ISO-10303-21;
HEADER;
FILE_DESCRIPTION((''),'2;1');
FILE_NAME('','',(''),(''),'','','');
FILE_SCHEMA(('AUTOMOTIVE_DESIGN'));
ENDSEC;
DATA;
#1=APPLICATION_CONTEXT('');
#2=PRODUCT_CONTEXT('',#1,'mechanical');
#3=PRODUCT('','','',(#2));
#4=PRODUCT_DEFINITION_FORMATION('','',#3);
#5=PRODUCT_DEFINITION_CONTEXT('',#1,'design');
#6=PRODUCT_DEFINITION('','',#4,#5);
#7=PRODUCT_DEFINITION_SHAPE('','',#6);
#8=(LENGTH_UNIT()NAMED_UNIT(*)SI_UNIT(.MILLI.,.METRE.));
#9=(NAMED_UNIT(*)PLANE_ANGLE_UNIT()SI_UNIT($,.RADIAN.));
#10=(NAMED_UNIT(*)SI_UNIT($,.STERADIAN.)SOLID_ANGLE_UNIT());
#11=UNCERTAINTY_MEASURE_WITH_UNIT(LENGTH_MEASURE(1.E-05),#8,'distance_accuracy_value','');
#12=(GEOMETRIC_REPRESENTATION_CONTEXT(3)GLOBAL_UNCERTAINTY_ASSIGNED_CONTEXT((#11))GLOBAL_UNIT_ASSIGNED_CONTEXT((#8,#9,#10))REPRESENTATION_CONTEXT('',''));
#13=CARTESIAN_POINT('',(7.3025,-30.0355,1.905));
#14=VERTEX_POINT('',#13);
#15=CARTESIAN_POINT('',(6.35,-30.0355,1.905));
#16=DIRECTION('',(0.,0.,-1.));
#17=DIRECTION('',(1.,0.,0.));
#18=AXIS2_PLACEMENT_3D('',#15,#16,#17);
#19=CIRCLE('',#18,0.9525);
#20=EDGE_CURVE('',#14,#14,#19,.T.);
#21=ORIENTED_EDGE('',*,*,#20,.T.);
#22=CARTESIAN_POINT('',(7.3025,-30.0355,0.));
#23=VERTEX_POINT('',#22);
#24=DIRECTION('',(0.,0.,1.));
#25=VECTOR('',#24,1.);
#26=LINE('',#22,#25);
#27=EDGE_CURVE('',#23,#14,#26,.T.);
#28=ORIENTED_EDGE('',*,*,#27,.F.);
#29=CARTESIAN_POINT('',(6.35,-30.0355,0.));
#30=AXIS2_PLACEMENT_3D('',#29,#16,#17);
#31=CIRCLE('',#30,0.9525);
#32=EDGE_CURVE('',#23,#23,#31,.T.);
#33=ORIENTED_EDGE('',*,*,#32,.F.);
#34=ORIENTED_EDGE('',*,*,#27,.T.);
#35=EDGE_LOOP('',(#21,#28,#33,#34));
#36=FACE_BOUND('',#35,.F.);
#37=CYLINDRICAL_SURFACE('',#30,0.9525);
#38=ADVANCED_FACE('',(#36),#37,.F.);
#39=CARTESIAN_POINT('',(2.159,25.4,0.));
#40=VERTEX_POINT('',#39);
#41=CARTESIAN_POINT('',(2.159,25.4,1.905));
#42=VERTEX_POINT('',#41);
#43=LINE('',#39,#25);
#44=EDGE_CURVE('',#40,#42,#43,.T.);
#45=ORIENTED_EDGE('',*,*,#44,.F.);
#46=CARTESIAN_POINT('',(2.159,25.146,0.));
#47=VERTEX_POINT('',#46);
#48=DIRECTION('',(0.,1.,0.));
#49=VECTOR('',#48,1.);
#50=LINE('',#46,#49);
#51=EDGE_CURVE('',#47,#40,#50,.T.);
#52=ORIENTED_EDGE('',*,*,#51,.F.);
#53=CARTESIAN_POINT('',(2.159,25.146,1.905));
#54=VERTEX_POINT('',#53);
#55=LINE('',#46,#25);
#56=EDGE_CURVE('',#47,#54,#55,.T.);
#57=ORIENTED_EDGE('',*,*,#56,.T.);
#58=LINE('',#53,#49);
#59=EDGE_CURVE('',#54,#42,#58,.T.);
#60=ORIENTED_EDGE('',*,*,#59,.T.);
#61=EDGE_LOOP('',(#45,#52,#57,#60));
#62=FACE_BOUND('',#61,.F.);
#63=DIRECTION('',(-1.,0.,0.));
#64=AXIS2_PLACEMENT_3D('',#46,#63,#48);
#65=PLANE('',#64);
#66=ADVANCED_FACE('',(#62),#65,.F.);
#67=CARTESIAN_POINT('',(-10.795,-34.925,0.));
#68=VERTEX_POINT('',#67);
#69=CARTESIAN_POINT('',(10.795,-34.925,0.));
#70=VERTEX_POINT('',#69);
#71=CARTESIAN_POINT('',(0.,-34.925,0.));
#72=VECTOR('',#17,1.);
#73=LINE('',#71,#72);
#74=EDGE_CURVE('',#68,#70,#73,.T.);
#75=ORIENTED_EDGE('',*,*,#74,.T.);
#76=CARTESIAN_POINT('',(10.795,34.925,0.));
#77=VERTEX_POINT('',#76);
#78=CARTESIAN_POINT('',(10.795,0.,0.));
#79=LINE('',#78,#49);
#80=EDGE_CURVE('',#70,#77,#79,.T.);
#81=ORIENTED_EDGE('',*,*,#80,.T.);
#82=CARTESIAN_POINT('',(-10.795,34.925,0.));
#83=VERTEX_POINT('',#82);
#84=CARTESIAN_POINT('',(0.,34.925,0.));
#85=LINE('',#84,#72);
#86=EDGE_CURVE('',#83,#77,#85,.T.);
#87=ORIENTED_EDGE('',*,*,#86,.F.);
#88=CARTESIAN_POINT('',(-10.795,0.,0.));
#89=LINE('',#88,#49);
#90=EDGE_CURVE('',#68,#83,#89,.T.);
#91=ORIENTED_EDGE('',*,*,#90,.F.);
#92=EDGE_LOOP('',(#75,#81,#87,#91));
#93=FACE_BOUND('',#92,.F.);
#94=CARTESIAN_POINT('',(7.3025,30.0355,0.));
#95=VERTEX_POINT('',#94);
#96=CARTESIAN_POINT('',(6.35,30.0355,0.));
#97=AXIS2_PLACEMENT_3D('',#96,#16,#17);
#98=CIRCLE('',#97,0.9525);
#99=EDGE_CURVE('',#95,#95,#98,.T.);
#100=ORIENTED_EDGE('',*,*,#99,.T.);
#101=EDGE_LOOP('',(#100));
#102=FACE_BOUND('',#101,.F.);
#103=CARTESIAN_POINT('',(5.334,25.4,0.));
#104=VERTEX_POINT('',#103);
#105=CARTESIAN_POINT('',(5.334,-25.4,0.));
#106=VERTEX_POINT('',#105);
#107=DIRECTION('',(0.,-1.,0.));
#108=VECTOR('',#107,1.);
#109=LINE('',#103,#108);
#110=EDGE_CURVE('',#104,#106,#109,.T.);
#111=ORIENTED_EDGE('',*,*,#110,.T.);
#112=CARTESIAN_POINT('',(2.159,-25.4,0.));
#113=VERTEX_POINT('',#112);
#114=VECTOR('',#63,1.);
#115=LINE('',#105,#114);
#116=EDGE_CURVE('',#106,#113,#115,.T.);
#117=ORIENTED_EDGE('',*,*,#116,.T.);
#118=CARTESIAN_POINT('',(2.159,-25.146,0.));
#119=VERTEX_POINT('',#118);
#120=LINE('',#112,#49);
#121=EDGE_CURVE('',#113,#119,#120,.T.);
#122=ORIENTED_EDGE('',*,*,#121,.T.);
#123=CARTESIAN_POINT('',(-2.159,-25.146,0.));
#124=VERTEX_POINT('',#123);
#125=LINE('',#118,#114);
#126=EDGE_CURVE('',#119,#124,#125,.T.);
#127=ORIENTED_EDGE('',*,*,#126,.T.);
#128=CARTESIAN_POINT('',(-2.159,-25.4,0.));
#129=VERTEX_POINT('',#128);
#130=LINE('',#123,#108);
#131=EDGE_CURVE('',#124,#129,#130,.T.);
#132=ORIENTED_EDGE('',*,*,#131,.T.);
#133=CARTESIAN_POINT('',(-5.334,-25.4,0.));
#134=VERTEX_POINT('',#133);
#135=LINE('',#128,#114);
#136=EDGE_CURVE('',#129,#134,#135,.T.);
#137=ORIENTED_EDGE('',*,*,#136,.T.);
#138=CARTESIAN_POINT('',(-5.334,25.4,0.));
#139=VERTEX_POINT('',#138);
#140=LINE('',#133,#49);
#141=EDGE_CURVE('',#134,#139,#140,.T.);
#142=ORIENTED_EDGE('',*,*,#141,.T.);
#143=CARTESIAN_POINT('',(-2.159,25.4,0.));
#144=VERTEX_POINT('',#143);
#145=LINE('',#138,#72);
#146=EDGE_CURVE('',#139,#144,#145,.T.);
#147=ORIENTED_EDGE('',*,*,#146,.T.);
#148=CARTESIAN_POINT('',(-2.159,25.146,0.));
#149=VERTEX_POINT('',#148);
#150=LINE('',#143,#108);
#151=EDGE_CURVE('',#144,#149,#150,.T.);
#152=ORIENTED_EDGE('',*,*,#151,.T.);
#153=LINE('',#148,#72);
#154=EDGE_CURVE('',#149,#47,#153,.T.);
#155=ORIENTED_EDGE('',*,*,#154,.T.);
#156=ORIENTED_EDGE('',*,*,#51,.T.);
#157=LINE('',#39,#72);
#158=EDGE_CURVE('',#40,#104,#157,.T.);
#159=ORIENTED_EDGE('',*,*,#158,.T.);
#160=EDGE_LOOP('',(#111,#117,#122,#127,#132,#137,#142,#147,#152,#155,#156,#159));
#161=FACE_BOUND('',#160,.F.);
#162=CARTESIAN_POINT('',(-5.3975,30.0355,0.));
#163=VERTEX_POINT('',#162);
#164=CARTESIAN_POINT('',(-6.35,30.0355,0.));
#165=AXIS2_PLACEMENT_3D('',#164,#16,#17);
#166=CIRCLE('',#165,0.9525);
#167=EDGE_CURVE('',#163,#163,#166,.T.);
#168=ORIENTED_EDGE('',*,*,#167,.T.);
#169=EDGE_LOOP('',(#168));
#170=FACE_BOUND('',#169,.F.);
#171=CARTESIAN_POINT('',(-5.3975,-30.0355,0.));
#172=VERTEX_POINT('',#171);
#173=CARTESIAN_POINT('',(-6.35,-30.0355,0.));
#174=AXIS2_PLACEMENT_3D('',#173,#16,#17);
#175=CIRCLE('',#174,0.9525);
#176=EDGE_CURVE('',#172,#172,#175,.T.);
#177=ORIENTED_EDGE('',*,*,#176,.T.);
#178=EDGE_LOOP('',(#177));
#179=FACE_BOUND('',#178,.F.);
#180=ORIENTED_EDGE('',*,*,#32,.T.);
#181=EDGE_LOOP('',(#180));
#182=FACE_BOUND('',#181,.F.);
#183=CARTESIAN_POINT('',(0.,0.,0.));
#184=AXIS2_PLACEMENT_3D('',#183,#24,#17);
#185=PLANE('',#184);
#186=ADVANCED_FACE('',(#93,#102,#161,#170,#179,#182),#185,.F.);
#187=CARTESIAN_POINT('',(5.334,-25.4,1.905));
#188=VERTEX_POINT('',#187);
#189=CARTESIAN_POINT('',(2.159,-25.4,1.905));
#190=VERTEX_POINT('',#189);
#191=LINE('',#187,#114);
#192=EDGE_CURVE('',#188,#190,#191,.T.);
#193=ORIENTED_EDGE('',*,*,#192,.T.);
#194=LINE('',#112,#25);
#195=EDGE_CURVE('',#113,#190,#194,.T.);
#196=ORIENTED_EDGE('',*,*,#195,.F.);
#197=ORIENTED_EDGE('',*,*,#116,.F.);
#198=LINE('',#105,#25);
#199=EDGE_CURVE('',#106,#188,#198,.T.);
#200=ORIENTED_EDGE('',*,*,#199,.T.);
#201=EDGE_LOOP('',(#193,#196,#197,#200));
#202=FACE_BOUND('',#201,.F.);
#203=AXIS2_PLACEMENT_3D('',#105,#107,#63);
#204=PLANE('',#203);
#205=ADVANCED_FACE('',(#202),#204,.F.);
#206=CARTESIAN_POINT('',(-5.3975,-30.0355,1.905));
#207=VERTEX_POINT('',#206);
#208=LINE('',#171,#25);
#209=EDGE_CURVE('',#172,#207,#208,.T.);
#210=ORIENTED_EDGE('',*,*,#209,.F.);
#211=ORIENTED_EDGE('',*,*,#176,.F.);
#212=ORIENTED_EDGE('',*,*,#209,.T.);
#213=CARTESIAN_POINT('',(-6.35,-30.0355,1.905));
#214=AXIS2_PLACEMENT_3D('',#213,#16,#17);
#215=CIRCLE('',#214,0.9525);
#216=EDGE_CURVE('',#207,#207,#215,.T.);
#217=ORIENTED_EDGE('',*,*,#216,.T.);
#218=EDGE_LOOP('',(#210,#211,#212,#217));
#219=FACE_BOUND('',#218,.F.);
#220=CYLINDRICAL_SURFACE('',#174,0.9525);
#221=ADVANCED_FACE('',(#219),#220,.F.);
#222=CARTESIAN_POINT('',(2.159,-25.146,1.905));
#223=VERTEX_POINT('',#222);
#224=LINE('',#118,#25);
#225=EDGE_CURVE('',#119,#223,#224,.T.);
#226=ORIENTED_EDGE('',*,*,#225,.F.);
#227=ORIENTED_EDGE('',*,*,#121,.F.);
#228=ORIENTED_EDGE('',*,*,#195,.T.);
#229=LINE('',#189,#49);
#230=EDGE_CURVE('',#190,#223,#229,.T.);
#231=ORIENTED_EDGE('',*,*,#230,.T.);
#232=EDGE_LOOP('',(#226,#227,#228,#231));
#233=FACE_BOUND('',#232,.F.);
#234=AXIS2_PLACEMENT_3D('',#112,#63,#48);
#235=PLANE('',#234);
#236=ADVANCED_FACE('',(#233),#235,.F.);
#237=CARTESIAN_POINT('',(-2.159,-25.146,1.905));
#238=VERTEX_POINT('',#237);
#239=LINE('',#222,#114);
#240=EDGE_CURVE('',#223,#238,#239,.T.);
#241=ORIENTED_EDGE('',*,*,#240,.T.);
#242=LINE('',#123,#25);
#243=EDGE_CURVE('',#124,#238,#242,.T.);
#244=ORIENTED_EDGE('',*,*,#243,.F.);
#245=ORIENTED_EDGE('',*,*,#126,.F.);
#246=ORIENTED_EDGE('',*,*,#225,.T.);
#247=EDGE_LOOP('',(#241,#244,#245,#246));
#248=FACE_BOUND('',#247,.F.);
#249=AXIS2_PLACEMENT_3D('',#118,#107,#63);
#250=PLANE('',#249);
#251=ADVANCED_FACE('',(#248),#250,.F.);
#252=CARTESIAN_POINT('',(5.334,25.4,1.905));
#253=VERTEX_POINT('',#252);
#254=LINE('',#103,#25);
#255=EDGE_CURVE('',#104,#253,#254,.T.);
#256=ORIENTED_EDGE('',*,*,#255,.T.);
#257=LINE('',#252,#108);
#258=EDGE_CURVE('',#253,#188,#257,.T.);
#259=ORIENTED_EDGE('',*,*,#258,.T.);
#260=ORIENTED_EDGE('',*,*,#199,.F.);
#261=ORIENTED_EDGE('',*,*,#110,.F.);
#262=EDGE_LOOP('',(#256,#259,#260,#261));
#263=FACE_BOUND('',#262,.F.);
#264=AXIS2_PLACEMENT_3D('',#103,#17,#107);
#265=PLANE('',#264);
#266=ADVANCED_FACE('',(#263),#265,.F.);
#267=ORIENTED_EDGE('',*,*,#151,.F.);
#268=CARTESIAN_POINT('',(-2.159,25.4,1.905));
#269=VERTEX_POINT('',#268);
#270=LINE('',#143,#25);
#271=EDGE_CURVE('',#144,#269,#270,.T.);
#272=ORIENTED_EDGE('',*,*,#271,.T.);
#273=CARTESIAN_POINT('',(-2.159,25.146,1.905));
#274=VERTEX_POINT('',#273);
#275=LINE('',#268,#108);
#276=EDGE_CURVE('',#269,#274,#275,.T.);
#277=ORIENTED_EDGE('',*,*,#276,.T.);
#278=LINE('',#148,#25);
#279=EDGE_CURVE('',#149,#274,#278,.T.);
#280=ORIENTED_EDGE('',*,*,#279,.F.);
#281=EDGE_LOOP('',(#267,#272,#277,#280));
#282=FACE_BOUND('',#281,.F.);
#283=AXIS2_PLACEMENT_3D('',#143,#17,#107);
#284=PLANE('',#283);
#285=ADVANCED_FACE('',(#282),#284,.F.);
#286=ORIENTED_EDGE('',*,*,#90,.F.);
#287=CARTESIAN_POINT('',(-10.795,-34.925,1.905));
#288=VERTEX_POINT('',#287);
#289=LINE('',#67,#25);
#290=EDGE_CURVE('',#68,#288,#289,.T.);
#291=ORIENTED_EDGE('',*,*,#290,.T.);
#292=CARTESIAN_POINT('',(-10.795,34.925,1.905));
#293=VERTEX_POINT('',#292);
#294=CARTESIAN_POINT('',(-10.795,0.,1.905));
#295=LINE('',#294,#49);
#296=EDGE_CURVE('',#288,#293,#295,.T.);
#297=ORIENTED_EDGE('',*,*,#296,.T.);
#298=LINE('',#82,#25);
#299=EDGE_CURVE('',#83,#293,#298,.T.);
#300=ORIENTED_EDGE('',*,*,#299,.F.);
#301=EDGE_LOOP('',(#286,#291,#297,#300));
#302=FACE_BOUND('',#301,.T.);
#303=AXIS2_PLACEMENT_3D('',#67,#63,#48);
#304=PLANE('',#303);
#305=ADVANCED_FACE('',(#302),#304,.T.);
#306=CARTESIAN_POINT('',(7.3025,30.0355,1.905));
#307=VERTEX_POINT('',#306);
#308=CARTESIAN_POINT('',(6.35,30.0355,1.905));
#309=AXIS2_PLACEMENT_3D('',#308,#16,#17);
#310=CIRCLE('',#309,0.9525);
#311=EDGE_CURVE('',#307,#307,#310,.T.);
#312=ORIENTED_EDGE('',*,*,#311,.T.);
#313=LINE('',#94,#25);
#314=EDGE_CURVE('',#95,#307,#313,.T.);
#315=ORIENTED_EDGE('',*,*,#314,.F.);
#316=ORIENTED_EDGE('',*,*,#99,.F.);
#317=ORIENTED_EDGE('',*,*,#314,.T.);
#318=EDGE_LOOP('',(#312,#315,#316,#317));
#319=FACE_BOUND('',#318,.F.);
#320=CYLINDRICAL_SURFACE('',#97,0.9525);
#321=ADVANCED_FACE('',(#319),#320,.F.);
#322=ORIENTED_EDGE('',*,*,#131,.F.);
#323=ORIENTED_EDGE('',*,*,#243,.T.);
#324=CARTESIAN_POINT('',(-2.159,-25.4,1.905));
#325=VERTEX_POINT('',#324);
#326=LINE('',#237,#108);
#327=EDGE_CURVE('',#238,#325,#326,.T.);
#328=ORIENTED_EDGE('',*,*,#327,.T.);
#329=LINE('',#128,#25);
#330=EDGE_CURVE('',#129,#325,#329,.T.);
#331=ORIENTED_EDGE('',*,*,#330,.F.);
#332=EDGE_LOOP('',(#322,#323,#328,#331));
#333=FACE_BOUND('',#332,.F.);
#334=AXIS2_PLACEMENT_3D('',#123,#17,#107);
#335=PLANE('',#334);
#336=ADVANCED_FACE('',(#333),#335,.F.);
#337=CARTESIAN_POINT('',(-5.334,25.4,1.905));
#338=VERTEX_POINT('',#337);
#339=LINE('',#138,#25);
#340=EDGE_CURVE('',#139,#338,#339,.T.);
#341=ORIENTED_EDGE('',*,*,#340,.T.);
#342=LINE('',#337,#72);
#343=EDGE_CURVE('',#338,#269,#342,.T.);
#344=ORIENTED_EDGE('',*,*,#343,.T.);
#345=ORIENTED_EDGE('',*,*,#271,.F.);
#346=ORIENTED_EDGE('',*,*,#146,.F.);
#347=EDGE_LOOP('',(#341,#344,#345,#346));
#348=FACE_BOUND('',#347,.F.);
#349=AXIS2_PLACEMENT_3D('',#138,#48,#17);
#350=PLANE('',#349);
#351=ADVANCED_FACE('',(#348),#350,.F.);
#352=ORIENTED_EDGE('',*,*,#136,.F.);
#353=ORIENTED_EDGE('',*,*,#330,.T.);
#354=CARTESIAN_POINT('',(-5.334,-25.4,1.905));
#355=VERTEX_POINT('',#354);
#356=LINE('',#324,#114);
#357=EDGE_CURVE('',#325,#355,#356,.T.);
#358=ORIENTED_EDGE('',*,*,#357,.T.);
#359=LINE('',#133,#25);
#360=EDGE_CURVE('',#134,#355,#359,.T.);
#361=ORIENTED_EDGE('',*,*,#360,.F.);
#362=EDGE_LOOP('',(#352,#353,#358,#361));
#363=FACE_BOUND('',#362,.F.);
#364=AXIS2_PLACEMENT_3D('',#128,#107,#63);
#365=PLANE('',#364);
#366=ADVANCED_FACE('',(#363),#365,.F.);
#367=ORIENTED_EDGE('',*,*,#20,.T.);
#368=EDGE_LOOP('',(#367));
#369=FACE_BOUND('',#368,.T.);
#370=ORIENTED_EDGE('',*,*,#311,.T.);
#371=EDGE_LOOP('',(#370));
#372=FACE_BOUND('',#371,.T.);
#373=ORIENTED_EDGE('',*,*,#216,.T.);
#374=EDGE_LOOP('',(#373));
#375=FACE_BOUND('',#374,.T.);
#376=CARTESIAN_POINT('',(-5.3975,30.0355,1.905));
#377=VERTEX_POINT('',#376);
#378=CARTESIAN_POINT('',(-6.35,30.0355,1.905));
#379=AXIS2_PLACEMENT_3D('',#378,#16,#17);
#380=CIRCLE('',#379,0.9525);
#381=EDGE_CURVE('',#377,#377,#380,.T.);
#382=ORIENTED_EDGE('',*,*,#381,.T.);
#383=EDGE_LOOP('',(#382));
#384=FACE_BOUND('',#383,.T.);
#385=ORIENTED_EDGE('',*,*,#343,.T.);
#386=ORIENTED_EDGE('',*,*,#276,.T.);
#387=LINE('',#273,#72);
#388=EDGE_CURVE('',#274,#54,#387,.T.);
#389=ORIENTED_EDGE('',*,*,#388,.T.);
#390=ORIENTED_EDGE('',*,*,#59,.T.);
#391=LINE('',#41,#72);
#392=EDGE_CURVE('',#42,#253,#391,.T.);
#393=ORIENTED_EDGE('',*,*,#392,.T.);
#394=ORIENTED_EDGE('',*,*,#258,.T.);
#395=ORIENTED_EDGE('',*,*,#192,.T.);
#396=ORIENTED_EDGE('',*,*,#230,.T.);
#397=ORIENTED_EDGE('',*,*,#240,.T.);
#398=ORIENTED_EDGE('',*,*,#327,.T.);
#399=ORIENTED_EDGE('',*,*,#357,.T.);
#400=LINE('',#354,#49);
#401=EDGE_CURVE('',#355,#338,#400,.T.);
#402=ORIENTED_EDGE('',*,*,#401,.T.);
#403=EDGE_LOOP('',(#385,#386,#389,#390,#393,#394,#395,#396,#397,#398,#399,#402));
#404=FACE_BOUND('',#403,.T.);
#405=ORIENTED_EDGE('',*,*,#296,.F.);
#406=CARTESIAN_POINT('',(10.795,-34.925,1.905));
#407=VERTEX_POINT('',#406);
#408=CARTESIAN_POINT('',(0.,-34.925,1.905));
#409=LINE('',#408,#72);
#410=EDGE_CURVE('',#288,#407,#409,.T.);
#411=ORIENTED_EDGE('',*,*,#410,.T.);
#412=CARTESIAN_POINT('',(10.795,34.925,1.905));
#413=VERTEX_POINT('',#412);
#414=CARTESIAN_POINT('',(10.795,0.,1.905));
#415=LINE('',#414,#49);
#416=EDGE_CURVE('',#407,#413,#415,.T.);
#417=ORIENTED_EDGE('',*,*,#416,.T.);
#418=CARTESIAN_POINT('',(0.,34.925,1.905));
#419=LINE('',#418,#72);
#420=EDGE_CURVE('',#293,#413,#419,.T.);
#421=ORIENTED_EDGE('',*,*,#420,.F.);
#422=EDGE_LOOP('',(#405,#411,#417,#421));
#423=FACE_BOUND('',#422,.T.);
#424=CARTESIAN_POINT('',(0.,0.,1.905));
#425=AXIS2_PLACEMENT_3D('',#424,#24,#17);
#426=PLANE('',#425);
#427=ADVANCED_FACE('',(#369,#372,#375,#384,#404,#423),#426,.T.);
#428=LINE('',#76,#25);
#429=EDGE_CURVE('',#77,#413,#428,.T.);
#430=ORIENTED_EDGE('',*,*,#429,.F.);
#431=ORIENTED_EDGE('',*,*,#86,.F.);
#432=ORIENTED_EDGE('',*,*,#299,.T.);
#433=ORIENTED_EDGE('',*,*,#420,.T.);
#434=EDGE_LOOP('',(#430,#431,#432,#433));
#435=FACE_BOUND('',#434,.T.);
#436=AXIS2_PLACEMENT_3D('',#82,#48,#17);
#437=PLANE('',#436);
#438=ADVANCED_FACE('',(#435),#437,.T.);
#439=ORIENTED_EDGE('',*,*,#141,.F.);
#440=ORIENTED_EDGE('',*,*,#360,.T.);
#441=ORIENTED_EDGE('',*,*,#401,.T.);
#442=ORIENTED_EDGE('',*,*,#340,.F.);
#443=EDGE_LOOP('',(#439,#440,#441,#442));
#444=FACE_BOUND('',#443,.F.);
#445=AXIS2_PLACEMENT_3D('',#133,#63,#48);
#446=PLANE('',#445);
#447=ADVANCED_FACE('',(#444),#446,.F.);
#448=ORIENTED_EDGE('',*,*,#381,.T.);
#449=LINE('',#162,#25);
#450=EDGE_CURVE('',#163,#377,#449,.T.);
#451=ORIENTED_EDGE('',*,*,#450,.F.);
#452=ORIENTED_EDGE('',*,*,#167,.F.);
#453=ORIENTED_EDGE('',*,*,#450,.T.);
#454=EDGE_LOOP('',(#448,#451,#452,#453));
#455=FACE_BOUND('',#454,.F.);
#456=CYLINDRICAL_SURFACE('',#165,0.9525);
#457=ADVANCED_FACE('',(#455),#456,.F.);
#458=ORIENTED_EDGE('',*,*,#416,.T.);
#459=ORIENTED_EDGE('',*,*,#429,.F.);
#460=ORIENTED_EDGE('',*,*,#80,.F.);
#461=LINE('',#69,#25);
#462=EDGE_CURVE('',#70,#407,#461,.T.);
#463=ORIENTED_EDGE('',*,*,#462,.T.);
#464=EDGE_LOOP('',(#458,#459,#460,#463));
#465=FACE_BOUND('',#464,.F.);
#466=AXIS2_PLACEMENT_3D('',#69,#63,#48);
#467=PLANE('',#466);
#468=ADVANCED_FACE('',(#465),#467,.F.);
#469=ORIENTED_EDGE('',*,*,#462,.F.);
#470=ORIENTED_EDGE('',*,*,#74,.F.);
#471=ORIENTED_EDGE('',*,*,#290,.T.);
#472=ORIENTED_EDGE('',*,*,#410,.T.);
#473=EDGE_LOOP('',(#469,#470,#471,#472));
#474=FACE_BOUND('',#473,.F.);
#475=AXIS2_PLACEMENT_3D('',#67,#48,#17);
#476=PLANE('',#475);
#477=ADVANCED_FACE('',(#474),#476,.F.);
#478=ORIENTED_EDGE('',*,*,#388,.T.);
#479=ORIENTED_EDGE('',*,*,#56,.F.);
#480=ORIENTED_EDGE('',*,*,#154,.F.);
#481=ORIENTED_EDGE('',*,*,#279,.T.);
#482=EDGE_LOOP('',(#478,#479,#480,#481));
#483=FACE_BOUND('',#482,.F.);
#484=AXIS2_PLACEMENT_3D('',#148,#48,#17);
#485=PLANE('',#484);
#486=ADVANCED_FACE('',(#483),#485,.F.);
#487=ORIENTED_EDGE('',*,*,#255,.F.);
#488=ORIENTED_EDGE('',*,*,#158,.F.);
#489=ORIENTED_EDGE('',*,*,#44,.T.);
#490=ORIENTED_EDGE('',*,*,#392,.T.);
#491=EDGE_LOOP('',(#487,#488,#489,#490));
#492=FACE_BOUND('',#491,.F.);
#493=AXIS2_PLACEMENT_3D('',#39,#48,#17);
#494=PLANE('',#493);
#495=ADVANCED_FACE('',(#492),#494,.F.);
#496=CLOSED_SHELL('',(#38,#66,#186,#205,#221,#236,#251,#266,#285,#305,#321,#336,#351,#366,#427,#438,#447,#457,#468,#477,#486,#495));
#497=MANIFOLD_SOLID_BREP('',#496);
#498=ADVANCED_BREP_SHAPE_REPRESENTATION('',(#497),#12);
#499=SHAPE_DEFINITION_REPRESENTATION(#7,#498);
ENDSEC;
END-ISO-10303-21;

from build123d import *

# Parameters (mm, degrees)
F0_W     = 21.59
F0_H     = 69.85
F1_DEPTH = 1.905
F3_R     = 0.9525
F4_DEPTH = 25.4


with BuildPart() as f1:
    # F0 (on Top) → F1 (new body)
    with BuildSketch(Plane.XY):
        Rectangle(F0_W, F0_H)
        Polygon((2.159, 25.4), (5.334, 25.4), (5.334, -25.4), (2.159, -25.4), (2.159, -25.146), (-2.159, -25.146), (-2.159, -25.4), (-5.334, -25.4), (-5.334, 25.4), (-2.159, 25.4), (-2.159, 25.146), (2.159, 25.146), align=None, mode=Mode.SUBTRACT)
    extrude(amount=F1_DEPTH)

    # F3 (on face) → F4 (cut)
    with BuildSketch(Plane(origin=(0, 0, 0), x_dir=(1, 0, 0), z_dir=(0, 0, -1))):
        with Locations((6.35, 30.0355)):
            Circle(F3_R)
        with Locations((-6.35, 30.0355)):
            Circle(F3_R)
        with Locations((6.35, -30.0355)):
            Circle(F3_R)
        with Locations((-6.35, -30.0355)):
            Circle(F3_R)
    extrude(amount=-F4_DEPTH, mode=Mode.SUBTRACT)


solid = f1.part
